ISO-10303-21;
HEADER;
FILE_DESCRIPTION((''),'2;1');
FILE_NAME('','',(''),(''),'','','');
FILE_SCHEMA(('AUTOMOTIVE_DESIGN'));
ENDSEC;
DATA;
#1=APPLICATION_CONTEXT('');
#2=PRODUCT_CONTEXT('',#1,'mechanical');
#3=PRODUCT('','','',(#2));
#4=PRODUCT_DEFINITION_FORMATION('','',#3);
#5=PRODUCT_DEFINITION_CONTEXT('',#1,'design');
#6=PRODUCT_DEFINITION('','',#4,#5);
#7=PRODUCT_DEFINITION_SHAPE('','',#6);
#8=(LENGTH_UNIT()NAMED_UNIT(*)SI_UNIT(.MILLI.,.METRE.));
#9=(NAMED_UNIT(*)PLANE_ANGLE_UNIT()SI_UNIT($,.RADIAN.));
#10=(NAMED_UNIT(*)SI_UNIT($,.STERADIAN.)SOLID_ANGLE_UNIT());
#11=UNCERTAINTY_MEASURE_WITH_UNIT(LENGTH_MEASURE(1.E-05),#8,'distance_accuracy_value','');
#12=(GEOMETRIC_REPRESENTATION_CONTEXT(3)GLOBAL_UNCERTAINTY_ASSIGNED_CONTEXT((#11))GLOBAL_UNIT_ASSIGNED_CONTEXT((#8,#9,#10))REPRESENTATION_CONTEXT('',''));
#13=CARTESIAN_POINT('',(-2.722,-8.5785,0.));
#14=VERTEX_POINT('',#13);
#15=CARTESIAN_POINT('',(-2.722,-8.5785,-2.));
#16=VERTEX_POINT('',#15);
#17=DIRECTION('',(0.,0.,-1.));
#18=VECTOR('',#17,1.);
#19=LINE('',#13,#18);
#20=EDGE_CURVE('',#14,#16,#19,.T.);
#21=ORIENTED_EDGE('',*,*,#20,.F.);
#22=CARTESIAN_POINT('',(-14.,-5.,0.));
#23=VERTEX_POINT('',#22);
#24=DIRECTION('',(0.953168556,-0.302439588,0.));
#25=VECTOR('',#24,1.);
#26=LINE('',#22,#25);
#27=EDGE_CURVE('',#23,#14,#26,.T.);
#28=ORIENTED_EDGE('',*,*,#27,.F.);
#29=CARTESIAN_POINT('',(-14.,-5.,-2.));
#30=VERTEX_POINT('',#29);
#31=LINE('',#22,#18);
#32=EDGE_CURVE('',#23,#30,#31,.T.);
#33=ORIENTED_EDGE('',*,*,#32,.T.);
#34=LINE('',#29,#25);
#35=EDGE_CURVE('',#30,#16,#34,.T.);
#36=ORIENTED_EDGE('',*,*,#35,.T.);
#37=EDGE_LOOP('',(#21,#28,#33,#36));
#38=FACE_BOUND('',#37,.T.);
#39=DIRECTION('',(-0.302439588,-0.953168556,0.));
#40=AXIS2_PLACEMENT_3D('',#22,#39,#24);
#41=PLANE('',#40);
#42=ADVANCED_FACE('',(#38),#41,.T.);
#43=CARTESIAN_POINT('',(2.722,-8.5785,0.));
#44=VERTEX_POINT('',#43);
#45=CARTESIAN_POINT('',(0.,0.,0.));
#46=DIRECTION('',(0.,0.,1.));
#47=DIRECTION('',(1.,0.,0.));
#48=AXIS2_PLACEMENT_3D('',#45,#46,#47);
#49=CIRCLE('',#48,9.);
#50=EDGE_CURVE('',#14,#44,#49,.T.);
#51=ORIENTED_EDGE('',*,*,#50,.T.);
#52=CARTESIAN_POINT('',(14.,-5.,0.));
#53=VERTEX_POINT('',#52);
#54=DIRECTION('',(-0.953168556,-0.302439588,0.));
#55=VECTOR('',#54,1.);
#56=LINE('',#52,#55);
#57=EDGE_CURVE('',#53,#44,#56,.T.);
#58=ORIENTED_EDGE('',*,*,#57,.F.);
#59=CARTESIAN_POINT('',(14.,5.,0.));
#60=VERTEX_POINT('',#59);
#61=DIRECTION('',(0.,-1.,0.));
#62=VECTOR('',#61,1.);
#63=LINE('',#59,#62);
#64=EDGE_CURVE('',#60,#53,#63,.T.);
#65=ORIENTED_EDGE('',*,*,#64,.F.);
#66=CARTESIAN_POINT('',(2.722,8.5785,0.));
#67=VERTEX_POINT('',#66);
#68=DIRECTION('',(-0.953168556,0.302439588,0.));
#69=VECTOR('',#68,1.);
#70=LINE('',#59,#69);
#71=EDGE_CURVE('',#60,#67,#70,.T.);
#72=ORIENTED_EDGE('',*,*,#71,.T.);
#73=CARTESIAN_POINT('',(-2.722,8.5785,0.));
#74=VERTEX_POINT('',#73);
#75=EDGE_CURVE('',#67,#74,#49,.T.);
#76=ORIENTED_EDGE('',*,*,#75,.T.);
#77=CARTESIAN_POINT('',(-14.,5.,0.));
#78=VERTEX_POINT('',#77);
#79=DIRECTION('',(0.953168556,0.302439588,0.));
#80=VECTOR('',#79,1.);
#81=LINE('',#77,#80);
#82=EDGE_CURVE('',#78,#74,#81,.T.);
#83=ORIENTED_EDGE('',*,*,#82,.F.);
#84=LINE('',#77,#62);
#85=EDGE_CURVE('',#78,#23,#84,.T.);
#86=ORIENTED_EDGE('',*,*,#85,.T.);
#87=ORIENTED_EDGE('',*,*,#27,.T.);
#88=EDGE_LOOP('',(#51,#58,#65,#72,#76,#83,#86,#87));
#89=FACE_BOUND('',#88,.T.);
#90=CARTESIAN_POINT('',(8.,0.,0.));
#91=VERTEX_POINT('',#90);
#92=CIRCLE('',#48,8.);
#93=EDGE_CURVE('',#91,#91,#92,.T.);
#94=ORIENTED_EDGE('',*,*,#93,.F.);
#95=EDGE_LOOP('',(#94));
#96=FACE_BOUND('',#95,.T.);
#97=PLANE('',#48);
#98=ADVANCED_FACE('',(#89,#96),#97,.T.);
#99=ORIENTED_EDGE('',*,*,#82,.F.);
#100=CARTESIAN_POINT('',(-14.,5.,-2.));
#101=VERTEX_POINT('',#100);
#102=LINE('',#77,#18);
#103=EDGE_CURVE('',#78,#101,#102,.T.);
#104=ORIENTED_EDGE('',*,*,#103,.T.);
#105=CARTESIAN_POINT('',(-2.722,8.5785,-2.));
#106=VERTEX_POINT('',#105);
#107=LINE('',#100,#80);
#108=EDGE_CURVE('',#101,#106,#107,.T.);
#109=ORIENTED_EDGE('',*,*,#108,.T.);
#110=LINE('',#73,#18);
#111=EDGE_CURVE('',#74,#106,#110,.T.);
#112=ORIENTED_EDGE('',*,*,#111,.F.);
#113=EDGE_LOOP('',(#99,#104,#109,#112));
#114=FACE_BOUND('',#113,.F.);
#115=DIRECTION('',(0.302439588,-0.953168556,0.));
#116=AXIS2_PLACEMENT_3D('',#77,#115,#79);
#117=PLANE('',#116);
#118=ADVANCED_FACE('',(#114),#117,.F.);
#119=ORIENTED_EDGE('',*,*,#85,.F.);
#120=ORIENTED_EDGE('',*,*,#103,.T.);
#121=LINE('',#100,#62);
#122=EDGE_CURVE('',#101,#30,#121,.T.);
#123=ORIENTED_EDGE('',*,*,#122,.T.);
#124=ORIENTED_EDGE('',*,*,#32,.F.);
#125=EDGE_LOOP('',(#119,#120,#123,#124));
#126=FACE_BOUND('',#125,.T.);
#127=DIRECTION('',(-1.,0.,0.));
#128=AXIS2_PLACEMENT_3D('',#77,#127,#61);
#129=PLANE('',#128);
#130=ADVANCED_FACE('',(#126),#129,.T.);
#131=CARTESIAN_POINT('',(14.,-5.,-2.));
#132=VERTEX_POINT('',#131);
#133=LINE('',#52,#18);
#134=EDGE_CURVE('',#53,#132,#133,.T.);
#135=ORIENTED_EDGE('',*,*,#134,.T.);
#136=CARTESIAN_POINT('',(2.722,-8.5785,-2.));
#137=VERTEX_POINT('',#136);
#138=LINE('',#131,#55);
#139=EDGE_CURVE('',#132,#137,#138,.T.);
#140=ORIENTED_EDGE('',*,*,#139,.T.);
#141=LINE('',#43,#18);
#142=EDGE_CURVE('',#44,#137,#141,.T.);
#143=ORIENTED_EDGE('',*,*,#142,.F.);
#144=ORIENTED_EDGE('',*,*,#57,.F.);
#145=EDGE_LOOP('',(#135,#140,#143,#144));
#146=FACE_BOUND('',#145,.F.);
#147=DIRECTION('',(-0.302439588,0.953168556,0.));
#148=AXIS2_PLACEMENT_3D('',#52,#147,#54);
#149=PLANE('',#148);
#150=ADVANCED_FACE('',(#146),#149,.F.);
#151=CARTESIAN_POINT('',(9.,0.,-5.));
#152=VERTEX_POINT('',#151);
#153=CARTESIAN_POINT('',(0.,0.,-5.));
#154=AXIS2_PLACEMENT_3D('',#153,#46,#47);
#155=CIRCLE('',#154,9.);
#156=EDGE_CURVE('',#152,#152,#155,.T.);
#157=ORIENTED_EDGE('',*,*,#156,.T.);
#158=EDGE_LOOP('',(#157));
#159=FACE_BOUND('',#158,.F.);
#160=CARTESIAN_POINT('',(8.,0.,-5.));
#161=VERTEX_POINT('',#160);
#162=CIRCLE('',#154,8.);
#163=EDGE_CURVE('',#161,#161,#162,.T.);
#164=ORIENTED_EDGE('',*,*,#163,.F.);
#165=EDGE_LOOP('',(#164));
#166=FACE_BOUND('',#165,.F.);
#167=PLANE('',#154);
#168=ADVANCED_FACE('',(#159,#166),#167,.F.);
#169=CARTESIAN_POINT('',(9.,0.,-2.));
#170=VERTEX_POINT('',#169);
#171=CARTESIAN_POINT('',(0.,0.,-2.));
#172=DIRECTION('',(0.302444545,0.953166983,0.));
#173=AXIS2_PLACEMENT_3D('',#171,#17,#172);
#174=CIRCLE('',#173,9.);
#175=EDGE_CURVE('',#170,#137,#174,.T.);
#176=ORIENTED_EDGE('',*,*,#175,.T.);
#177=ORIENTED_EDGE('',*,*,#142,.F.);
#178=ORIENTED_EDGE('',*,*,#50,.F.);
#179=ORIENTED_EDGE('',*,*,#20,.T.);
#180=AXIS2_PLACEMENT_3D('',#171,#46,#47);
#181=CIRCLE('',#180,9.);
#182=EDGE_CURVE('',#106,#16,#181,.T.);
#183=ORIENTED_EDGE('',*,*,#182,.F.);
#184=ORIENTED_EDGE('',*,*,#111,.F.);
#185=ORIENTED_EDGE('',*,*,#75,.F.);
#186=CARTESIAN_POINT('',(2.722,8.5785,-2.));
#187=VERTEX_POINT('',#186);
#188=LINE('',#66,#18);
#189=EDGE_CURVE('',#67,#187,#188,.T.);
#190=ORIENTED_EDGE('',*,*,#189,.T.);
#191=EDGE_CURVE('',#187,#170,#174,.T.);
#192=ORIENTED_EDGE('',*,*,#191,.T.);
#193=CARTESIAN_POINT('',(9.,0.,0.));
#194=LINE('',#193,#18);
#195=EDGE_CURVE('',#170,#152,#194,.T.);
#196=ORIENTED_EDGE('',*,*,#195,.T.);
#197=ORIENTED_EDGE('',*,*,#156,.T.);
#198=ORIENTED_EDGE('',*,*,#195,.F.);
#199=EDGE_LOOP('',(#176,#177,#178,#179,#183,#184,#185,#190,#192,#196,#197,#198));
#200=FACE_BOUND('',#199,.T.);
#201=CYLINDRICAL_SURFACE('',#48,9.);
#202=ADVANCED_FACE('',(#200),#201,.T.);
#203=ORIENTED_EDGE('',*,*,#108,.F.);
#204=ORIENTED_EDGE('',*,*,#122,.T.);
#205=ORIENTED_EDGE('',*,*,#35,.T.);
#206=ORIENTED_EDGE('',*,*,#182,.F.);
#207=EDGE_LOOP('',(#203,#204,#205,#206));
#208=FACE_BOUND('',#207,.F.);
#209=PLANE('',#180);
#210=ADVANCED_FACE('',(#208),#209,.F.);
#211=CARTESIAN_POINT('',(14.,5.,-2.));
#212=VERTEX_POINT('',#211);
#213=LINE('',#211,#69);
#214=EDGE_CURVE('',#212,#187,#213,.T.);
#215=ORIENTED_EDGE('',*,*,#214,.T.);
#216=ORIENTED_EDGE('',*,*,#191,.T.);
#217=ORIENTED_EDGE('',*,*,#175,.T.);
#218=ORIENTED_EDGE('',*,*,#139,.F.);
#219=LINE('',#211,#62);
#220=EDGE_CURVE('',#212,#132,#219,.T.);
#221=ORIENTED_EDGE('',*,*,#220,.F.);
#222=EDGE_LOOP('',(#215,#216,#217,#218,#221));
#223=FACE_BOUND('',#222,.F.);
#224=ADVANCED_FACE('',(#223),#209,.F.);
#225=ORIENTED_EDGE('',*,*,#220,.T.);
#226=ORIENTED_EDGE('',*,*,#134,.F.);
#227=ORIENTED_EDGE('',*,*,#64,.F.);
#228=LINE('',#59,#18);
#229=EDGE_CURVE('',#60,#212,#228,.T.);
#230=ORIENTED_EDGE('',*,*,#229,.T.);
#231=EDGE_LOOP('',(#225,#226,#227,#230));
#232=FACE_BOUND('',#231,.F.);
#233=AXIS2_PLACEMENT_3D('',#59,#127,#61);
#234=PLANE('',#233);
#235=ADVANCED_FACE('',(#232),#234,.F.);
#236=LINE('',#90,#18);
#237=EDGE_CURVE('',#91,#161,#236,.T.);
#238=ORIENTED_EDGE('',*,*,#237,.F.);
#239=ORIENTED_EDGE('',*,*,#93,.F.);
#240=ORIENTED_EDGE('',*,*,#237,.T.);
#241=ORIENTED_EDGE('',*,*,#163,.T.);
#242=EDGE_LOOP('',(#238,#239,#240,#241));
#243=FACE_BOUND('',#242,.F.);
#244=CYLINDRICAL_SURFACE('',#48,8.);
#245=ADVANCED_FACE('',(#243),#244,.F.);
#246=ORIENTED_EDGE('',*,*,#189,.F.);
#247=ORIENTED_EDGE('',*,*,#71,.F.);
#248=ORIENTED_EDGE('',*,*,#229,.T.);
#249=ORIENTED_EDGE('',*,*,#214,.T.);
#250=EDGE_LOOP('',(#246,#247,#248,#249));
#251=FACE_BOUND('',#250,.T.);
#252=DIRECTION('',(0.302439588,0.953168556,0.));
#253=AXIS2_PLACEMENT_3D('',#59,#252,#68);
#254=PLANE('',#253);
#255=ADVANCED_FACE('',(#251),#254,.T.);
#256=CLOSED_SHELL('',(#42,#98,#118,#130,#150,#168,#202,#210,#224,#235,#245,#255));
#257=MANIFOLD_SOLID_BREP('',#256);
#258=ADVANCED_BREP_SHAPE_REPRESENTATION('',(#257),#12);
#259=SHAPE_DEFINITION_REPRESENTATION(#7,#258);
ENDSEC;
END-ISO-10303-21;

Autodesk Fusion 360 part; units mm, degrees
sketch "スケッチ1" plane through (0, 0, 0) normal (0, 0, 1) x (1, 0, 0)
  circle A0 centre (0, 0) radius 10.5
  circle A1 centre (0, 0) radius 9.5
  circle A2 centre (0, 0) radius 9
  circle A3 centre (0, 0) radius 8
  dimension "d1" = 21
  dimension "d2" = 19
  dimension "d3" = 18
  dimension "d4" = 16
extrude "押し出し1" add sketch "スケッチ1" along normal blind 6 contours A0 makes body 1
extrude "押し出し2" add sketch "スケッチ1" along normal blind 6 separate body contours A2 makes body 2
sketch "スケッチ2" plane through (0, 0, 6) normal (0, 0, 1) x (-1, 0, 0)
  circle A0 centre (0, 0) radius 9.5
  circle A1 centre (0, 0) radius 10.5
  line L0 (2, -15) -> (-2, -15)
  line L1 (-2, -15) -> (-8.4577, -6.2223)
  line L2 (2, -15) -> (8.4577, -6.2223)
  line L3 (0, 0) -> (-3.4838, 0)
  line L4 (2, 15) -> (8.4577, 6.2223)
  line L5 (2, 15) -> (-2, 15)
  line L6 (-2, 15) -> (-8.4577, 6.2223)
extrude "押し出し3" add sketch "スケッチ2" against normal blind 2 contours A1 L4 L5 L6 | A1 L0 L1 L2 bodies 1
sketch "スケッチ3" plane through (0, 0, 6) normal (0, 0, 1) x (-1, 0, 0)
  circle A0 centre (0, 0) radius 8
  circle A1 centre (0, 0) radius 9
  line L0 (-15, -2) -> (-15, 2)
  line L1 (-15, 2) -> (-4.3494, 7.8792)
  line L2 (-15, 0) -> (-12.4057, 0)
  line L3 (-15, -2) -> (-4.3494, -7.8792)
  line L4 (0, 0) -> (0, -2)
  line L5 (15, -2) -> (4.3494, -7.8792)
  line L6 (15, -2) -> (15, 2)
  line L7 (15, 2) -> (4.3494, 7.8792)
extrude "押し出し4" add sketch "スケッチ3" along normal blind 2 separate body makes body 3
combine "結合1" operation add target body 3 tool bodies 2
sketch "スケッチ1 (2)" plane through (0, 0, 0) normal (0, 0, 1) x (1, 0, 0) in component "Component'"
  circle A0 centre (0, 0) radius 11.25
  circle A1 centre (0, 0) radius 9.75
  line L0 (-2.095, 15.0718) -> (2.1708, 15.0718)
  line L1 (2.1708, 15.0718) -> (8.6891, 7.1458)
  line L2 (-2.095, 15.0718) -> (-8.6482, 7.1952)
  line L3 (-5.0595, -20.013) -> (5.0595, -20.013)
  line L4 (5.0595, -20.013) -> (10.6475, -3.6322)
  line L5 (-5.0595, -20.013) -> (-10.6475, -3.6322)
  dimension "d13" = 22.5
  dimension "d14" = 19.5
extrude "押し出し1'" add sketch "スケッチ1 (2)" against normal blind 2 separate body makes body 4 in component "Component'"
extrude "押し出し2'" add sketch "スケッチ1 (2)" against normal blind 5 contours A0 bodies 4 in component "Component'"
sketch "スケッチ2 (2)" plane through (0, 0, 0) normal (0, 0, 1) x (1, 0, 0) in component "Component'"
  circle A0 centre (0, 0) radius 9
  circle A1 centre (0, 0) radius 8
  line L0 (14, 5) -> (14, -5)
  line L1 (14, -5) -> (2.722, -8.5785)
  line L2 (14, 5) -> (2.722, 8.5785)
  line L3 (0, 2) -> (0, 4)
  line L4 (-14, 5) -> (-14, -5)
  line L5 (-14, 5) -> (-2.722, 8.5785)
  line L6 (-14, -5) -> (-2.722, -8.5785)
  dimension "d19" = 18
  dimension "d20" = 16
extrude "押し出し3'" add sketch "スケッチ2 (2)" against normal blind 5 separate body contours A0 makes body 5 in component "Component'"
extrude "押し出し4'" add sketch "スケッチ2 (2)" against normal blind 2 contours A0 L0 L1 L2 | A0 L4 L5 L6 bodies 5 in component "Component'"
component "Component'" placed x (1, 0, 0) y (0, 1, 0) z (0, 0, 1) at (0, 0, 0)
hidden bodies 1 3 4
